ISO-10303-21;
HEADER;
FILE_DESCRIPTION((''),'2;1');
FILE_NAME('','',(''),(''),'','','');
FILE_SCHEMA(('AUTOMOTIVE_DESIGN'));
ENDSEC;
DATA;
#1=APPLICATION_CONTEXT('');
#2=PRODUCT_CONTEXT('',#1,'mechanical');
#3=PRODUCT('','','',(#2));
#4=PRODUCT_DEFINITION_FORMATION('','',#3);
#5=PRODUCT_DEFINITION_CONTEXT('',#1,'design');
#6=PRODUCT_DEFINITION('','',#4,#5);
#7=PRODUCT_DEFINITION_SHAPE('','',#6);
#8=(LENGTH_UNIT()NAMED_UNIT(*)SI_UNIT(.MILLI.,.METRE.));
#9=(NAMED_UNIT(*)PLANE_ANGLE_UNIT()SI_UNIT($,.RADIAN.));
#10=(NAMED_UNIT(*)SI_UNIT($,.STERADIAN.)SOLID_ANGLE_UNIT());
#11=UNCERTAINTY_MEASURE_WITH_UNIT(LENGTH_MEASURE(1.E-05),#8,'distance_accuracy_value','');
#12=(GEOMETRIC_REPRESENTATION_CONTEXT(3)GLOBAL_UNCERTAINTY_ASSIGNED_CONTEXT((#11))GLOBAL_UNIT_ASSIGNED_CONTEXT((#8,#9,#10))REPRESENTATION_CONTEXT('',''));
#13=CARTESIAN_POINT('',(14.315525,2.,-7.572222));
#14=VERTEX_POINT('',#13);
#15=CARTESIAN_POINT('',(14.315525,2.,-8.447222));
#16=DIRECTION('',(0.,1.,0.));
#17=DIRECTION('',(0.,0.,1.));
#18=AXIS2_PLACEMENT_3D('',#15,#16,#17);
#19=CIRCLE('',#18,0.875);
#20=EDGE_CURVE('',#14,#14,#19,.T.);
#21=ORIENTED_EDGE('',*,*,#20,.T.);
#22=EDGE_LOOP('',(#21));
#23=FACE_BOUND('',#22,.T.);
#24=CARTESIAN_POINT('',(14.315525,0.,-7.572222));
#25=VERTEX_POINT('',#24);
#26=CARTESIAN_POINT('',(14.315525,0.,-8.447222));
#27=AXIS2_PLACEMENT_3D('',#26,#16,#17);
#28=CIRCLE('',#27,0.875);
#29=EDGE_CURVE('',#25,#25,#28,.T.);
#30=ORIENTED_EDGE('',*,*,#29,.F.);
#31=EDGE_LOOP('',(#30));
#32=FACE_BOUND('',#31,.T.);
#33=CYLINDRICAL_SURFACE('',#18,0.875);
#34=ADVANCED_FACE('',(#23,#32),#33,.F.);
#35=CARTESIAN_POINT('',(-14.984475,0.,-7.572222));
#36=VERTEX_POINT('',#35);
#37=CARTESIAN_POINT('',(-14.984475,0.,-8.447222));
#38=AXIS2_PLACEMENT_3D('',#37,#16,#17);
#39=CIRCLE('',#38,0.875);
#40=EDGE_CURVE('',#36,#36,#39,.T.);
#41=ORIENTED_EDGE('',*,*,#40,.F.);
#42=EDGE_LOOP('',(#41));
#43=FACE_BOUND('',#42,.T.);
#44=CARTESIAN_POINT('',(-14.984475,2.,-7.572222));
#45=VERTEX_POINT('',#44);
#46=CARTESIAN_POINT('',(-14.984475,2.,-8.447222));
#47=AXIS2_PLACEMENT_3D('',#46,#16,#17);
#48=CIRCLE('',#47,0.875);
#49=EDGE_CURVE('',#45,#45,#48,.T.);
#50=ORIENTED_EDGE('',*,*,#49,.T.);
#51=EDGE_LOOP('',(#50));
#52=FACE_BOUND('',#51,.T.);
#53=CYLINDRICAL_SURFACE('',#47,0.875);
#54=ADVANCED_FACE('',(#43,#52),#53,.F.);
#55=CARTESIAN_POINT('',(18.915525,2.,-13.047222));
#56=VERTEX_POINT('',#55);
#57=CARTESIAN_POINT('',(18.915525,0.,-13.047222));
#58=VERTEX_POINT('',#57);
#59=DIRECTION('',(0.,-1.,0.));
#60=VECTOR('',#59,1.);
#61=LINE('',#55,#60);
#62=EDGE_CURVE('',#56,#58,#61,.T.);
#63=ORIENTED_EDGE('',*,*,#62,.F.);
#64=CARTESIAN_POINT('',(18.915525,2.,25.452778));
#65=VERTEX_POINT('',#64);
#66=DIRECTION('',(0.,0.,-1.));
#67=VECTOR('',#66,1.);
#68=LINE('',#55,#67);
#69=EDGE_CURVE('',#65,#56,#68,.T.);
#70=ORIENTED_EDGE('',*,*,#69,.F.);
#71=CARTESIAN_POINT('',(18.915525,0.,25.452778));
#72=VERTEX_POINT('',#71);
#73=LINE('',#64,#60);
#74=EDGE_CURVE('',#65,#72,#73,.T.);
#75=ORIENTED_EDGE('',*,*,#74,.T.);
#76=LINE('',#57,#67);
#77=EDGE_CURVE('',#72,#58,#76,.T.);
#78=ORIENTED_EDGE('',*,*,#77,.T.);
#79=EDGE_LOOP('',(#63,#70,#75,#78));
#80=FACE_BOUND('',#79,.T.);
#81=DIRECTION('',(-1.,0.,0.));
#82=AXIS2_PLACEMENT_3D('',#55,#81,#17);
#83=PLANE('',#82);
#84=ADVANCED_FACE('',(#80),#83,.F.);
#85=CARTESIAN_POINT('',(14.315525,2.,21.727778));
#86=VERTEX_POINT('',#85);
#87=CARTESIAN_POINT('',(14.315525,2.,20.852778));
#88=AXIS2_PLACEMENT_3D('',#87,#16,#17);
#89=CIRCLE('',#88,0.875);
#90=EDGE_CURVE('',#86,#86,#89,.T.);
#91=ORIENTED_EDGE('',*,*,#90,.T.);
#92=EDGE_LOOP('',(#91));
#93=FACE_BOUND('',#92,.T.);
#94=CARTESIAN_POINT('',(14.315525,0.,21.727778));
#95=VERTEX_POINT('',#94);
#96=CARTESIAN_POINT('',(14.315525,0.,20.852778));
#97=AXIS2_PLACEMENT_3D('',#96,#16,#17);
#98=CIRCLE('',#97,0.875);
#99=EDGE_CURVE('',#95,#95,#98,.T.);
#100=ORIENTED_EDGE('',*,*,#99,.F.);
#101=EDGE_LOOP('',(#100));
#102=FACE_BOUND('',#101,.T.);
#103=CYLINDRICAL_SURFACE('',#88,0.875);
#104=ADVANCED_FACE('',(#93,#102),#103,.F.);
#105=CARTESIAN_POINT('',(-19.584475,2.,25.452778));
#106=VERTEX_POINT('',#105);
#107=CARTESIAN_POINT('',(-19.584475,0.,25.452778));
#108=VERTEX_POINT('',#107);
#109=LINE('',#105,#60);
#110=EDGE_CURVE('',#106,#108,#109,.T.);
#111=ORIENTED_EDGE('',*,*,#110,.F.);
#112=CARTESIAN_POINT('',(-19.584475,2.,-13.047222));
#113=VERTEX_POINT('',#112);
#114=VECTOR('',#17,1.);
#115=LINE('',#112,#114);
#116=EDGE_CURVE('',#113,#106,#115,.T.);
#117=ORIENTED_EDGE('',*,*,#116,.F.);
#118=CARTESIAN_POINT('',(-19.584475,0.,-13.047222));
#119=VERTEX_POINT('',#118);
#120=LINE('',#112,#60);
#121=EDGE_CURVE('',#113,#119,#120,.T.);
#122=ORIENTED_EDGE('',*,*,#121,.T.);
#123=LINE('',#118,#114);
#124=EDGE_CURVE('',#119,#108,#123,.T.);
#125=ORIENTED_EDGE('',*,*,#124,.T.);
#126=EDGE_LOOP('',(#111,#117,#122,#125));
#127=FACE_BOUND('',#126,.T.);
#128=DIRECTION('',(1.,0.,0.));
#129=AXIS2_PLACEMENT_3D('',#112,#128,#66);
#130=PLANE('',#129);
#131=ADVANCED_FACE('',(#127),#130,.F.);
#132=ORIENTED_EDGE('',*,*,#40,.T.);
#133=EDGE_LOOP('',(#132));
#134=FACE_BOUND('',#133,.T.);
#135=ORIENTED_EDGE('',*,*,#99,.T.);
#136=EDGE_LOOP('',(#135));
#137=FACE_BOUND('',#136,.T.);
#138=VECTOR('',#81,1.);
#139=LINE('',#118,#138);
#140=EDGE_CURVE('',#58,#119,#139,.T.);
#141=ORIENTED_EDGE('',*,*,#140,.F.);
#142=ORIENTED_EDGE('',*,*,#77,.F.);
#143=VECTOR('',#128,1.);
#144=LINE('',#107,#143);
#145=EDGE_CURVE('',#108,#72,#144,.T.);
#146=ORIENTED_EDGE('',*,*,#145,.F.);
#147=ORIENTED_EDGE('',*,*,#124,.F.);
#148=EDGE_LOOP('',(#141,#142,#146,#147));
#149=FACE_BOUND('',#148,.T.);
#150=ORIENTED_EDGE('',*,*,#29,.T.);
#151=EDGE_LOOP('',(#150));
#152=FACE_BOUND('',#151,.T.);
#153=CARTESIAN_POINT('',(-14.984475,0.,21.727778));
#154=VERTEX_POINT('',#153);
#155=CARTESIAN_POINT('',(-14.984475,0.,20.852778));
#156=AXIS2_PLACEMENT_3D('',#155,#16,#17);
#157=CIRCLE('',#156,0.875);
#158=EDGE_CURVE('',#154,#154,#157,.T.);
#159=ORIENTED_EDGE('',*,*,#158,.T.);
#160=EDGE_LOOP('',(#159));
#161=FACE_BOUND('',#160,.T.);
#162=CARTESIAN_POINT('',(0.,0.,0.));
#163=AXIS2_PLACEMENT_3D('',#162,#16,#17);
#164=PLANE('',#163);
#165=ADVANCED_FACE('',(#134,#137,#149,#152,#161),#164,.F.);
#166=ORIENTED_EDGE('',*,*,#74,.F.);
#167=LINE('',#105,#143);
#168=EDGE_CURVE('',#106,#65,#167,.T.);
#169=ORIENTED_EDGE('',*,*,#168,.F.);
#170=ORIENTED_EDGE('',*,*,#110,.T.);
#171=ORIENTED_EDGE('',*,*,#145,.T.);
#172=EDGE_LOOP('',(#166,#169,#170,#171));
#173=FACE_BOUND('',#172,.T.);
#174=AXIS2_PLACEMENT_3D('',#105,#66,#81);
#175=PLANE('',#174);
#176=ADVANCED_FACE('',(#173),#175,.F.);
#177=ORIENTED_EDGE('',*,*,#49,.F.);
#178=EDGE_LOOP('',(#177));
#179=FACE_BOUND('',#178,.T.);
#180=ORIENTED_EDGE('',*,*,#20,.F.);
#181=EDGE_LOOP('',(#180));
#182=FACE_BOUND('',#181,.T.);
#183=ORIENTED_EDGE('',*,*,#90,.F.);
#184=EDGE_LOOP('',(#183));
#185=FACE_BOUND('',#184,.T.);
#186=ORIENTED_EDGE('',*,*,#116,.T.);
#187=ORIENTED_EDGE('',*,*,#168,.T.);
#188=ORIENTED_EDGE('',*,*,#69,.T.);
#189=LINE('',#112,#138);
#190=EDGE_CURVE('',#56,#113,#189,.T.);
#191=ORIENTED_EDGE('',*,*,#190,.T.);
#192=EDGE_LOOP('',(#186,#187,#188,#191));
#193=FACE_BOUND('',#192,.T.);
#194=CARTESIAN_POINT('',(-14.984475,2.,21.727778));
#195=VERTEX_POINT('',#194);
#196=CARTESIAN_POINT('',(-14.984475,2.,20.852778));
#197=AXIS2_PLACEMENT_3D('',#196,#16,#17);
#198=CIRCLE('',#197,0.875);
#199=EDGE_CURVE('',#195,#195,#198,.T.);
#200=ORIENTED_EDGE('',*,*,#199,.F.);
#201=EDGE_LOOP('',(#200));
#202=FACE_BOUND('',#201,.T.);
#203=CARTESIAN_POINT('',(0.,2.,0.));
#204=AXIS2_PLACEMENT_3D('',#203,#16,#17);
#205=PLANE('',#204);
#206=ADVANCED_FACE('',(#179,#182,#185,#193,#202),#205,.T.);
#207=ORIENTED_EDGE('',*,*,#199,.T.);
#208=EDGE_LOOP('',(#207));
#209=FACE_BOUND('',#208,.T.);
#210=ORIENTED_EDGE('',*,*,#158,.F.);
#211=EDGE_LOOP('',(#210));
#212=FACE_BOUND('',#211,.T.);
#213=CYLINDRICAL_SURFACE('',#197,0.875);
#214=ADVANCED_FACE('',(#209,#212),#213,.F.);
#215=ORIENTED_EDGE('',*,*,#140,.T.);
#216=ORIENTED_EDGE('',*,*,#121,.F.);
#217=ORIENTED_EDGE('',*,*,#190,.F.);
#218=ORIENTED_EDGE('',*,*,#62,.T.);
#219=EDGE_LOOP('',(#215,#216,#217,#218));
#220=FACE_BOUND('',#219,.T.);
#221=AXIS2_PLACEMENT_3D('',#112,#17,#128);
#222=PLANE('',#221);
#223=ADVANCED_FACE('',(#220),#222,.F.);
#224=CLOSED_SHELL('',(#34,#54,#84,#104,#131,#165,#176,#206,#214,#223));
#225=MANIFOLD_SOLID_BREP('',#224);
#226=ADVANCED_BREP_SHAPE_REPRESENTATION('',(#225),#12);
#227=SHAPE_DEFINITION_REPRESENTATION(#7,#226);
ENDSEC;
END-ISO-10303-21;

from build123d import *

# Parameters (mm, degrees)
SKETCH1_W                = 38.5
SKETCH1_H                = 38.5
BOSS_EXTRUDE1_DEPTH      = 2
M2_2X0_45_TAPPED_HOLE1_D = 1.75


with BuildPart() as part:
    # Sketch1 → Boss-Extrude1 (new body)
    with BuildSketch(Plane(origin=(0, 0, 0), x_dir=(1, 0, 0), z_dir=(0, 1, 0))):
        with Locations((-0.334475449, -6.202777778)):
            Rectangle(SKETCH1_W, SKETCH1_H)
    extrude(amount=BOSS_EXTRUDE1_DEPTH)

    # M2.2x0.45 Tapped Hole1 (through all)
    with Locations(Plane(origin=(-14.984475449, 2, -8.447222222), x_dir=(0, 0, 1), z_dir=(0, 1, 0))):
        with Locations((0, 0), (29.3, 29.3), (0, 29.3), (29.3, 0)):
            Hole(M2_2X0_45_TAPPED_HOLE1_D / 2)


solid = part.part
